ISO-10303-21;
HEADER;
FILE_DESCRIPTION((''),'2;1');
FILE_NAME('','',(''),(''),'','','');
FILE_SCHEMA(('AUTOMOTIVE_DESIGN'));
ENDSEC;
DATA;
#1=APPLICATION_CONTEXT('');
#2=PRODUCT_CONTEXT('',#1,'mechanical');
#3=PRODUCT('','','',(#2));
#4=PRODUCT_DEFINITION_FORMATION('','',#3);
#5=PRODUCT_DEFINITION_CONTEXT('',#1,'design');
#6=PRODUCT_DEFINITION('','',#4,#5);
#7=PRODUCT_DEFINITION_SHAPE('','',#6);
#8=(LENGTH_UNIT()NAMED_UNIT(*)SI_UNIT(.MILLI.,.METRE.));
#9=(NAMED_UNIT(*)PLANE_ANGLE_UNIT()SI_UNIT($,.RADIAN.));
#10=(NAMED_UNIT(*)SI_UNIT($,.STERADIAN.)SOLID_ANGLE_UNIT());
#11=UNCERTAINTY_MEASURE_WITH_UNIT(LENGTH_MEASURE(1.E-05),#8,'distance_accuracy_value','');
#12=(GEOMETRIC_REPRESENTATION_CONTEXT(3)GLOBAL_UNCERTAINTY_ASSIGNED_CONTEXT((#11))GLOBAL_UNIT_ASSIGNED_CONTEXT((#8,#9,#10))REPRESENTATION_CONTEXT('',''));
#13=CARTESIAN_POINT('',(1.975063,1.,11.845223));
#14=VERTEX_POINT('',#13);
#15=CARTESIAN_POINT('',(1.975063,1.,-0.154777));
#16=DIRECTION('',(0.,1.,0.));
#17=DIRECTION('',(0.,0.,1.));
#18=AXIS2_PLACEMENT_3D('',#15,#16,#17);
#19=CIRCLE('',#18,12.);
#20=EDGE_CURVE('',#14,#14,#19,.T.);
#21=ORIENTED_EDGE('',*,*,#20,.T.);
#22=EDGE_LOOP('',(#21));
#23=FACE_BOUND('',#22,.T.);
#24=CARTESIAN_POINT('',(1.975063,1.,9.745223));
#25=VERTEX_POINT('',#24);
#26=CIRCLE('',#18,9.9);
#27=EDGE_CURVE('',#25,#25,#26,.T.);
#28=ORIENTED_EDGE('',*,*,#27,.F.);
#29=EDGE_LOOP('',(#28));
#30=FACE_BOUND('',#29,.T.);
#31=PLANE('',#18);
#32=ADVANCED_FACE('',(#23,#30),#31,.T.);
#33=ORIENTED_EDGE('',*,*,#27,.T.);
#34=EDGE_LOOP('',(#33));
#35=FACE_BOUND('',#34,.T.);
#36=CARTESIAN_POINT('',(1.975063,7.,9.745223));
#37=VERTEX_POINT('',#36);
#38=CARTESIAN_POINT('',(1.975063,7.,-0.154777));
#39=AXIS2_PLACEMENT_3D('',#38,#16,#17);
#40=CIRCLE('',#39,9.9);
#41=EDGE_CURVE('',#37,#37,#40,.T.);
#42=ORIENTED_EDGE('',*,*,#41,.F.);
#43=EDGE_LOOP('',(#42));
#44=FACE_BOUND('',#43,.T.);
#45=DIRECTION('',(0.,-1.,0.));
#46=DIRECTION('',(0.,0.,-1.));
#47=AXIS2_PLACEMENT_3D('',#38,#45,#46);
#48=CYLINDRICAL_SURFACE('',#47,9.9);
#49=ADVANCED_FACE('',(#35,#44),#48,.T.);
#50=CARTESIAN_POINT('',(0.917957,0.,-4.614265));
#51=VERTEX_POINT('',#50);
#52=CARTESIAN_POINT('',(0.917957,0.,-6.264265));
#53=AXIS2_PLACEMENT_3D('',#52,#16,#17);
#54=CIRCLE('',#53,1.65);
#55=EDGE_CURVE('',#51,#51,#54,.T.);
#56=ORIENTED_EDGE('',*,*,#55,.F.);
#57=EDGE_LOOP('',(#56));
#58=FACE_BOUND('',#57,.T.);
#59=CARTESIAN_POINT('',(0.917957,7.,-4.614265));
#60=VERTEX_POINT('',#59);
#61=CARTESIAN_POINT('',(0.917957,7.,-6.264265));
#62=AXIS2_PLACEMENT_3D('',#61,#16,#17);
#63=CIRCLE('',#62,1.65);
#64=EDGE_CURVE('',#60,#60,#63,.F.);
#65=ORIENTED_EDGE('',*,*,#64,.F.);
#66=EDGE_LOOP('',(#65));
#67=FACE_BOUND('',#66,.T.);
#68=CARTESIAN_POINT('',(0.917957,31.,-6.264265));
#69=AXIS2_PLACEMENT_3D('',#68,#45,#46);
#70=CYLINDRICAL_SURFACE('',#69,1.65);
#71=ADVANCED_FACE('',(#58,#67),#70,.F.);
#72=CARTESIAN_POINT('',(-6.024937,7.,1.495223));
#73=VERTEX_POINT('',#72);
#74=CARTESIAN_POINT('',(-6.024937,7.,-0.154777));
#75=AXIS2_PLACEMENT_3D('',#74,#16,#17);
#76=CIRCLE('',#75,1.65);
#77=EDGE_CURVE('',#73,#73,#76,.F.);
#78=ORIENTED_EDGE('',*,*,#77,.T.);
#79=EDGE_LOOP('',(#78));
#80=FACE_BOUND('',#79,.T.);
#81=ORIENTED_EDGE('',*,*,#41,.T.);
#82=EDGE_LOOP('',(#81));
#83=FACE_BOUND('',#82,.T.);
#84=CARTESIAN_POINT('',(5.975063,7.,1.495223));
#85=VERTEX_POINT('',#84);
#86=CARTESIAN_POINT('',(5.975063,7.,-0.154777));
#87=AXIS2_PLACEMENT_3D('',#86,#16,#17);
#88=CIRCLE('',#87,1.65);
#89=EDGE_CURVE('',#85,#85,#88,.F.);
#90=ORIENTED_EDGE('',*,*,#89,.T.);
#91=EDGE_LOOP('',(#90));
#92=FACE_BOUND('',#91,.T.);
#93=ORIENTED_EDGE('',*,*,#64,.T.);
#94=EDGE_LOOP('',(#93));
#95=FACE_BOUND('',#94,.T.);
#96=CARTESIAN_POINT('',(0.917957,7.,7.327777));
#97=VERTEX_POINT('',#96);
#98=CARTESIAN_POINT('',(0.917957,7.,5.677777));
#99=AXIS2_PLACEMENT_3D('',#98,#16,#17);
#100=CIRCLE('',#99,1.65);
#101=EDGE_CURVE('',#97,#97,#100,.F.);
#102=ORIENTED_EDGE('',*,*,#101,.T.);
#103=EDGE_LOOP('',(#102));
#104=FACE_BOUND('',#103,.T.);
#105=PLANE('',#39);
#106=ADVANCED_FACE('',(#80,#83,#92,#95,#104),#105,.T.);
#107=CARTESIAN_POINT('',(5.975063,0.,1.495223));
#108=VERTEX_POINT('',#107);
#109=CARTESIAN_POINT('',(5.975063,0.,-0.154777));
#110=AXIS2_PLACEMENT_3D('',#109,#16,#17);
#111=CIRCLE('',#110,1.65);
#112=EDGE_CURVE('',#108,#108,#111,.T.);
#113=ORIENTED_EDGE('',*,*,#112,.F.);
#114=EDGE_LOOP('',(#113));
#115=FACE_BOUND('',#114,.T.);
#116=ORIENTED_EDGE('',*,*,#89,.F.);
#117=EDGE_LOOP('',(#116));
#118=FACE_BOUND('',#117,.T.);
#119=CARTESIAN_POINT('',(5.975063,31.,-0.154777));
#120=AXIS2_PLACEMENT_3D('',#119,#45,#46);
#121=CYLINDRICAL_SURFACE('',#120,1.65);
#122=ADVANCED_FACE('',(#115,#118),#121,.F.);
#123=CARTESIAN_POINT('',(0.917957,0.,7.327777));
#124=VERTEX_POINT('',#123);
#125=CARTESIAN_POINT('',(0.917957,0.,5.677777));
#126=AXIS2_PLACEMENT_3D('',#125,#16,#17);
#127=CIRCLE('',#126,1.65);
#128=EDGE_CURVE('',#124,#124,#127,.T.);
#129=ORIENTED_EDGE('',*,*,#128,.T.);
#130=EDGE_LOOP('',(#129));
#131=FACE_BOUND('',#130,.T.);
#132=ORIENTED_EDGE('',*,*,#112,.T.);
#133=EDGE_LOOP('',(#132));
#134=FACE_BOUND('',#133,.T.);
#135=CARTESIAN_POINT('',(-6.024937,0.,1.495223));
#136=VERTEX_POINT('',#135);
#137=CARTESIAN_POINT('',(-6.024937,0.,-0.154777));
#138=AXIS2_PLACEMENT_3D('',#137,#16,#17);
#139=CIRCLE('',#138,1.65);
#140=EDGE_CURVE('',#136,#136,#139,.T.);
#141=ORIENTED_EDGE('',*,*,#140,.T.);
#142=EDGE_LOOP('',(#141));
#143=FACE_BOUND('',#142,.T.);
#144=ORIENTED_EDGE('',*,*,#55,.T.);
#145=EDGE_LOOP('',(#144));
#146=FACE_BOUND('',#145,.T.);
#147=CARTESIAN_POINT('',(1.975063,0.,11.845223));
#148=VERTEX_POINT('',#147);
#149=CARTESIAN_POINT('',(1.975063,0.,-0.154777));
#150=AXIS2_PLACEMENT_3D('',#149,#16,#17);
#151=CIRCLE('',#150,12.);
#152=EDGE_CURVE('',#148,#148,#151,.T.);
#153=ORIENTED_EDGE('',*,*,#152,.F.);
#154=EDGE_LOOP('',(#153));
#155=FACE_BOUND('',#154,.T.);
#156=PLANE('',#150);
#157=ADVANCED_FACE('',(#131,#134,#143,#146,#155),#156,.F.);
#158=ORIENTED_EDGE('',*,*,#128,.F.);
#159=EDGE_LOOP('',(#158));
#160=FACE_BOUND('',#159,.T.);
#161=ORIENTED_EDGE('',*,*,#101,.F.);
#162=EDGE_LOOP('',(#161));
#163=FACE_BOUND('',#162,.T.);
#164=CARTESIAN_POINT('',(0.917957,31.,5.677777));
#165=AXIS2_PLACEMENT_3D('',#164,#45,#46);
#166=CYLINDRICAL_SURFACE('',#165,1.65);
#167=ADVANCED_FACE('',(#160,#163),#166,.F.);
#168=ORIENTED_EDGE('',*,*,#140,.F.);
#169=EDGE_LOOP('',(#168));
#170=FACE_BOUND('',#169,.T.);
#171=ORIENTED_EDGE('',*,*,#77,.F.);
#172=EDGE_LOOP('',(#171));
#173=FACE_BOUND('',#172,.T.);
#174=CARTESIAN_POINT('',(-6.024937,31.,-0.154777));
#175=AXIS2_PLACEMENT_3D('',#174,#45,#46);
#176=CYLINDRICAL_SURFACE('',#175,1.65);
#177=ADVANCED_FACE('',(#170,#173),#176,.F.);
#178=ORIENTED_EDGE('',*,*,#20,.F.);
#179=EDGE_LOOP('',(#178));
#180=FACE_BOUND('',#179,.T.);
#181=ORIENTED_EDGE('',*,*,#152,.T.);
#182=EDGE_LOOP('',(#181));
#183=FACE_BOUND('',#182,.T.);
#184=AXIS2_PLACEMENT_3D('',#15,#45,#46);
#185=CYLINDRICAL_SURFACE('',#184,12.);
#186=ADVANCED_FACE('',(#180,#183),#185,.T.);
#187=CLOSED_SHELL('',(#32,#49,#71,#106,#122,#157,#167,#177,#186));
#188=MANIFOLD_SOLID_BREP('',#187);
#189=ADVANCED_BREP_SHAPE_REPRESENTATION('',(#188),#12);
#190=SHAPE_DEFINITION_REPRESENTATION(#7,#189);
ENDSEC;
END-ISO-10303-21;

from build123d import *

# Parameters (mm, degrees)
SKETCH1_R           = 9.9
BOSS_EXTRUDE1_DEPTH = 7
SKETCH1_3_R         = 12
BOSS_EXTRUDE2_DEPTH = 1
SKETCH1_4_R         = 1.65
CUT_EXTRUDE1_DEPTH  = 31


with BuildPart() as part:
    # Sketch1 → Boss-Extrude1 (new body)
    with BuildSketch(Plane(origin=(0, 0, 0), x_dir=(1, 0, 0), z_dir=(0, 1, 0))):
        with Locations((1.975062748, 0.154777047)):
            Circle(SKETCH1_R)
    extrude(amount=BOSS_EXTRUDE1_DEPTH)

    # Sketch1<3> → Boss-Extrude2 (add)
    with BuildSketch(Plane(origin=(0, 0, 0), x_dir=(1, 0, 0), z_dir=(0, 1, 0))):
        with Locations((1.975062748, 0.154777047)):
            Circle(SKETCH1_3_R)
    extrude(amount=BOSS_EXTRUDE2_DEPTH)

    # Sketch1<4> → Cut-Extrude1 (cut)
    with BuildSketch(Plane(origin=(0, 0, 0), x_dir=(1, 0, 0), z_dir=(0, 1, 0))):
        with Locations((0.917956723, 6.264264553)):
            Circle(SKETCH1_4_R)
        with Locations((0.917956723, -5.677777134)):
            Circle(SKETCH1_4_R)
        with Locations((-6.024937252, 0.154777047)):
            Circle(SKETCH1_4_R)
        with Locations((5.975062748, 0.154777047)):
            Circle(SKETCH1_4_R)
    extrude(amount=CUT_EXTRUDE1_DEPTH, mode=Mode.SUBTRACT)


solid = part.part
